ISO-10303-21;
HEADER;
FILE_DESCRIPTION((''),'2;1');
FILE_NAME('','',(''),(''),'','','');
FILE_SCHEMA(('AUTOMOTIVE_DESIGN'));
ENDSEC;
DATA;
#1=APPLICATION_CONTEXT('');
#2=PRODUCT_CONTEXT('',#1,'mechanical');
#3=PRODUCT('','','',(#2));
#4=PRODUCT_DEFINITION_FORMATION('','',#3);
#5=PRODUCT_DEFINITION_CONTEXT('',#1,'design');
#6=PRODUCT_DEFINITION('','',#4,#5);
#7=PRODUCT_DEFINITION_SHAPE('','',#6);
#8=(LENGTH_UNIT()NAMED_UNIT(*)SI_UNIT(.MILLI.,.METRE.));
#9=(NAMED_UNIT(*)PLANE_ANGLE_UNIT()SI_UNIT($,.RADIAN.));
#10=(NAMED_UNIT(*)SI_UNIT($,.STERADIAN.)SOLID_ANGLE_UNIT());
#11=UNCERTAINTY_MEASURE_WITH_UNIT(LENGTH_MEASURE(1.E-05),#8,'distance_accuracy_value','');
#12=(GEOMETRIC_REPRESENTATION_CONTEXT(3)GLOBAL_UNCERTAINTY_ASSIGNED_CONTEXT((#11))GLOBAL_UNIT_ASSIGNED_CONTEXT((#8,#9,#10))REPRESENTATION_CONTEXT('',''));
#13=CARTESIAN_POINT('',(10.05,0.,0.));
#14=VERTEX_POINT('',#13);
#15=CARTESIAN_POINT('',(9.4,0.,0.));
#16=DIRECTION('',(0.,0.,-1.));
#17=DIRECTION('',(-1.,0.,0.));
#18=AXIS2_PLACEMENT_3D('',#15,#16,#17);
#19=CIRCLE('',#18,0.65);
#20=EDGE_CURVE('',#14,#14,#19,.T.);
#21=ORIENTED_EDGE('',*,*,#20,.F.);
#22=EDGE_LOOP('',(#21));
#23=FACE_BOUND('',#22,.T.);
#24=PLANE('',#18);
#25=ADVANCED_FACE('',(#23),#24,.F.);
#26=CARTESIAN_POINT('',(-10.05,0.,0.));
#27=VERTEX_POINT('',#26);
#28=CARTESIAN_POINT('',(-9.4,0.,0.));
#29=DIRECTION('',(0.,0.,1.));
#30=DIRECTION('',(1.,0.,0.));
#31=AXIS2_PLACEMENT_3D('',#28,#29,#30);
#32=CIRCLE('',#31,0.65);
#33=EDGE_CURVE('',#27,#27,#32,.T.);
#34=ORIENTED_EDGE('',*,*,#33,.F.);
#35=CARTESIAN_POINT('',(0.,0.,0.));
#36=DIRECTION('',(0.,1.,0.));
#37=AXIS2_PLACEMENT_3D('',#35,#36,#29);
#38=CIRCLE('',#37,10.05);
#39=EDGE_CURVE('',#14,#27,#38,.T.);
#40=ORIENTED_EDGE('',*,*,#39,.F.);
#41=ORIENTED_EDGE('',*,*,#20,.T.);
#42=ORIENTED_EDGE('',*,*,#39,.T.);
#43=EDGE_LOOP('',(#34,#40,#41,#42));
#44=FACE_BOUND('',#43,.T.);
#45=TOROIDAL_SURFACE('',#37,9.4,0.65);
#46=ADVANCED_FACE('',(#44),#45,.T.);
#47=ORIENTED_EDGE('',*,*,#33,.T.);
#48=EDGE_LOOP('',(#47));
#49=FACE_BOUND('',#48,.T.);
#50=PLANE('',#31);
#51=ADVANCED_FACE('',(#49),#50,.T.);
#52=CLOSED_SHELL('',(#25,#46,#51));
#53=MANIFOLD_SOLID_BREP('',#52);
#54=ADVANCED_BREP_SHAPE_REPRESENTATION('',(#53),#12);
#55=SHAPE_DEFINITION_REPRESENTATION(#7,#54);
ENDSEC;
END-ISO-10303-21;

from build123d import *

# Parameters (mm, degrees)
SKETCH1_R      = 0.65
REVOLVE1_ANGLE = 180


with BuildPart() as part:
    # Sketch1 → Revolve1 (revolve)
    with BuildSketch(Plane.XY):
        with Locations((-9.4, 0)):
            Circle(SKETCH1_R)
    revolve(axis=Axis((0, 7.412747286, 0), (0, -1, 0)), revolution_arc=REVOLVE1_ANGLE)


solid = part.part
